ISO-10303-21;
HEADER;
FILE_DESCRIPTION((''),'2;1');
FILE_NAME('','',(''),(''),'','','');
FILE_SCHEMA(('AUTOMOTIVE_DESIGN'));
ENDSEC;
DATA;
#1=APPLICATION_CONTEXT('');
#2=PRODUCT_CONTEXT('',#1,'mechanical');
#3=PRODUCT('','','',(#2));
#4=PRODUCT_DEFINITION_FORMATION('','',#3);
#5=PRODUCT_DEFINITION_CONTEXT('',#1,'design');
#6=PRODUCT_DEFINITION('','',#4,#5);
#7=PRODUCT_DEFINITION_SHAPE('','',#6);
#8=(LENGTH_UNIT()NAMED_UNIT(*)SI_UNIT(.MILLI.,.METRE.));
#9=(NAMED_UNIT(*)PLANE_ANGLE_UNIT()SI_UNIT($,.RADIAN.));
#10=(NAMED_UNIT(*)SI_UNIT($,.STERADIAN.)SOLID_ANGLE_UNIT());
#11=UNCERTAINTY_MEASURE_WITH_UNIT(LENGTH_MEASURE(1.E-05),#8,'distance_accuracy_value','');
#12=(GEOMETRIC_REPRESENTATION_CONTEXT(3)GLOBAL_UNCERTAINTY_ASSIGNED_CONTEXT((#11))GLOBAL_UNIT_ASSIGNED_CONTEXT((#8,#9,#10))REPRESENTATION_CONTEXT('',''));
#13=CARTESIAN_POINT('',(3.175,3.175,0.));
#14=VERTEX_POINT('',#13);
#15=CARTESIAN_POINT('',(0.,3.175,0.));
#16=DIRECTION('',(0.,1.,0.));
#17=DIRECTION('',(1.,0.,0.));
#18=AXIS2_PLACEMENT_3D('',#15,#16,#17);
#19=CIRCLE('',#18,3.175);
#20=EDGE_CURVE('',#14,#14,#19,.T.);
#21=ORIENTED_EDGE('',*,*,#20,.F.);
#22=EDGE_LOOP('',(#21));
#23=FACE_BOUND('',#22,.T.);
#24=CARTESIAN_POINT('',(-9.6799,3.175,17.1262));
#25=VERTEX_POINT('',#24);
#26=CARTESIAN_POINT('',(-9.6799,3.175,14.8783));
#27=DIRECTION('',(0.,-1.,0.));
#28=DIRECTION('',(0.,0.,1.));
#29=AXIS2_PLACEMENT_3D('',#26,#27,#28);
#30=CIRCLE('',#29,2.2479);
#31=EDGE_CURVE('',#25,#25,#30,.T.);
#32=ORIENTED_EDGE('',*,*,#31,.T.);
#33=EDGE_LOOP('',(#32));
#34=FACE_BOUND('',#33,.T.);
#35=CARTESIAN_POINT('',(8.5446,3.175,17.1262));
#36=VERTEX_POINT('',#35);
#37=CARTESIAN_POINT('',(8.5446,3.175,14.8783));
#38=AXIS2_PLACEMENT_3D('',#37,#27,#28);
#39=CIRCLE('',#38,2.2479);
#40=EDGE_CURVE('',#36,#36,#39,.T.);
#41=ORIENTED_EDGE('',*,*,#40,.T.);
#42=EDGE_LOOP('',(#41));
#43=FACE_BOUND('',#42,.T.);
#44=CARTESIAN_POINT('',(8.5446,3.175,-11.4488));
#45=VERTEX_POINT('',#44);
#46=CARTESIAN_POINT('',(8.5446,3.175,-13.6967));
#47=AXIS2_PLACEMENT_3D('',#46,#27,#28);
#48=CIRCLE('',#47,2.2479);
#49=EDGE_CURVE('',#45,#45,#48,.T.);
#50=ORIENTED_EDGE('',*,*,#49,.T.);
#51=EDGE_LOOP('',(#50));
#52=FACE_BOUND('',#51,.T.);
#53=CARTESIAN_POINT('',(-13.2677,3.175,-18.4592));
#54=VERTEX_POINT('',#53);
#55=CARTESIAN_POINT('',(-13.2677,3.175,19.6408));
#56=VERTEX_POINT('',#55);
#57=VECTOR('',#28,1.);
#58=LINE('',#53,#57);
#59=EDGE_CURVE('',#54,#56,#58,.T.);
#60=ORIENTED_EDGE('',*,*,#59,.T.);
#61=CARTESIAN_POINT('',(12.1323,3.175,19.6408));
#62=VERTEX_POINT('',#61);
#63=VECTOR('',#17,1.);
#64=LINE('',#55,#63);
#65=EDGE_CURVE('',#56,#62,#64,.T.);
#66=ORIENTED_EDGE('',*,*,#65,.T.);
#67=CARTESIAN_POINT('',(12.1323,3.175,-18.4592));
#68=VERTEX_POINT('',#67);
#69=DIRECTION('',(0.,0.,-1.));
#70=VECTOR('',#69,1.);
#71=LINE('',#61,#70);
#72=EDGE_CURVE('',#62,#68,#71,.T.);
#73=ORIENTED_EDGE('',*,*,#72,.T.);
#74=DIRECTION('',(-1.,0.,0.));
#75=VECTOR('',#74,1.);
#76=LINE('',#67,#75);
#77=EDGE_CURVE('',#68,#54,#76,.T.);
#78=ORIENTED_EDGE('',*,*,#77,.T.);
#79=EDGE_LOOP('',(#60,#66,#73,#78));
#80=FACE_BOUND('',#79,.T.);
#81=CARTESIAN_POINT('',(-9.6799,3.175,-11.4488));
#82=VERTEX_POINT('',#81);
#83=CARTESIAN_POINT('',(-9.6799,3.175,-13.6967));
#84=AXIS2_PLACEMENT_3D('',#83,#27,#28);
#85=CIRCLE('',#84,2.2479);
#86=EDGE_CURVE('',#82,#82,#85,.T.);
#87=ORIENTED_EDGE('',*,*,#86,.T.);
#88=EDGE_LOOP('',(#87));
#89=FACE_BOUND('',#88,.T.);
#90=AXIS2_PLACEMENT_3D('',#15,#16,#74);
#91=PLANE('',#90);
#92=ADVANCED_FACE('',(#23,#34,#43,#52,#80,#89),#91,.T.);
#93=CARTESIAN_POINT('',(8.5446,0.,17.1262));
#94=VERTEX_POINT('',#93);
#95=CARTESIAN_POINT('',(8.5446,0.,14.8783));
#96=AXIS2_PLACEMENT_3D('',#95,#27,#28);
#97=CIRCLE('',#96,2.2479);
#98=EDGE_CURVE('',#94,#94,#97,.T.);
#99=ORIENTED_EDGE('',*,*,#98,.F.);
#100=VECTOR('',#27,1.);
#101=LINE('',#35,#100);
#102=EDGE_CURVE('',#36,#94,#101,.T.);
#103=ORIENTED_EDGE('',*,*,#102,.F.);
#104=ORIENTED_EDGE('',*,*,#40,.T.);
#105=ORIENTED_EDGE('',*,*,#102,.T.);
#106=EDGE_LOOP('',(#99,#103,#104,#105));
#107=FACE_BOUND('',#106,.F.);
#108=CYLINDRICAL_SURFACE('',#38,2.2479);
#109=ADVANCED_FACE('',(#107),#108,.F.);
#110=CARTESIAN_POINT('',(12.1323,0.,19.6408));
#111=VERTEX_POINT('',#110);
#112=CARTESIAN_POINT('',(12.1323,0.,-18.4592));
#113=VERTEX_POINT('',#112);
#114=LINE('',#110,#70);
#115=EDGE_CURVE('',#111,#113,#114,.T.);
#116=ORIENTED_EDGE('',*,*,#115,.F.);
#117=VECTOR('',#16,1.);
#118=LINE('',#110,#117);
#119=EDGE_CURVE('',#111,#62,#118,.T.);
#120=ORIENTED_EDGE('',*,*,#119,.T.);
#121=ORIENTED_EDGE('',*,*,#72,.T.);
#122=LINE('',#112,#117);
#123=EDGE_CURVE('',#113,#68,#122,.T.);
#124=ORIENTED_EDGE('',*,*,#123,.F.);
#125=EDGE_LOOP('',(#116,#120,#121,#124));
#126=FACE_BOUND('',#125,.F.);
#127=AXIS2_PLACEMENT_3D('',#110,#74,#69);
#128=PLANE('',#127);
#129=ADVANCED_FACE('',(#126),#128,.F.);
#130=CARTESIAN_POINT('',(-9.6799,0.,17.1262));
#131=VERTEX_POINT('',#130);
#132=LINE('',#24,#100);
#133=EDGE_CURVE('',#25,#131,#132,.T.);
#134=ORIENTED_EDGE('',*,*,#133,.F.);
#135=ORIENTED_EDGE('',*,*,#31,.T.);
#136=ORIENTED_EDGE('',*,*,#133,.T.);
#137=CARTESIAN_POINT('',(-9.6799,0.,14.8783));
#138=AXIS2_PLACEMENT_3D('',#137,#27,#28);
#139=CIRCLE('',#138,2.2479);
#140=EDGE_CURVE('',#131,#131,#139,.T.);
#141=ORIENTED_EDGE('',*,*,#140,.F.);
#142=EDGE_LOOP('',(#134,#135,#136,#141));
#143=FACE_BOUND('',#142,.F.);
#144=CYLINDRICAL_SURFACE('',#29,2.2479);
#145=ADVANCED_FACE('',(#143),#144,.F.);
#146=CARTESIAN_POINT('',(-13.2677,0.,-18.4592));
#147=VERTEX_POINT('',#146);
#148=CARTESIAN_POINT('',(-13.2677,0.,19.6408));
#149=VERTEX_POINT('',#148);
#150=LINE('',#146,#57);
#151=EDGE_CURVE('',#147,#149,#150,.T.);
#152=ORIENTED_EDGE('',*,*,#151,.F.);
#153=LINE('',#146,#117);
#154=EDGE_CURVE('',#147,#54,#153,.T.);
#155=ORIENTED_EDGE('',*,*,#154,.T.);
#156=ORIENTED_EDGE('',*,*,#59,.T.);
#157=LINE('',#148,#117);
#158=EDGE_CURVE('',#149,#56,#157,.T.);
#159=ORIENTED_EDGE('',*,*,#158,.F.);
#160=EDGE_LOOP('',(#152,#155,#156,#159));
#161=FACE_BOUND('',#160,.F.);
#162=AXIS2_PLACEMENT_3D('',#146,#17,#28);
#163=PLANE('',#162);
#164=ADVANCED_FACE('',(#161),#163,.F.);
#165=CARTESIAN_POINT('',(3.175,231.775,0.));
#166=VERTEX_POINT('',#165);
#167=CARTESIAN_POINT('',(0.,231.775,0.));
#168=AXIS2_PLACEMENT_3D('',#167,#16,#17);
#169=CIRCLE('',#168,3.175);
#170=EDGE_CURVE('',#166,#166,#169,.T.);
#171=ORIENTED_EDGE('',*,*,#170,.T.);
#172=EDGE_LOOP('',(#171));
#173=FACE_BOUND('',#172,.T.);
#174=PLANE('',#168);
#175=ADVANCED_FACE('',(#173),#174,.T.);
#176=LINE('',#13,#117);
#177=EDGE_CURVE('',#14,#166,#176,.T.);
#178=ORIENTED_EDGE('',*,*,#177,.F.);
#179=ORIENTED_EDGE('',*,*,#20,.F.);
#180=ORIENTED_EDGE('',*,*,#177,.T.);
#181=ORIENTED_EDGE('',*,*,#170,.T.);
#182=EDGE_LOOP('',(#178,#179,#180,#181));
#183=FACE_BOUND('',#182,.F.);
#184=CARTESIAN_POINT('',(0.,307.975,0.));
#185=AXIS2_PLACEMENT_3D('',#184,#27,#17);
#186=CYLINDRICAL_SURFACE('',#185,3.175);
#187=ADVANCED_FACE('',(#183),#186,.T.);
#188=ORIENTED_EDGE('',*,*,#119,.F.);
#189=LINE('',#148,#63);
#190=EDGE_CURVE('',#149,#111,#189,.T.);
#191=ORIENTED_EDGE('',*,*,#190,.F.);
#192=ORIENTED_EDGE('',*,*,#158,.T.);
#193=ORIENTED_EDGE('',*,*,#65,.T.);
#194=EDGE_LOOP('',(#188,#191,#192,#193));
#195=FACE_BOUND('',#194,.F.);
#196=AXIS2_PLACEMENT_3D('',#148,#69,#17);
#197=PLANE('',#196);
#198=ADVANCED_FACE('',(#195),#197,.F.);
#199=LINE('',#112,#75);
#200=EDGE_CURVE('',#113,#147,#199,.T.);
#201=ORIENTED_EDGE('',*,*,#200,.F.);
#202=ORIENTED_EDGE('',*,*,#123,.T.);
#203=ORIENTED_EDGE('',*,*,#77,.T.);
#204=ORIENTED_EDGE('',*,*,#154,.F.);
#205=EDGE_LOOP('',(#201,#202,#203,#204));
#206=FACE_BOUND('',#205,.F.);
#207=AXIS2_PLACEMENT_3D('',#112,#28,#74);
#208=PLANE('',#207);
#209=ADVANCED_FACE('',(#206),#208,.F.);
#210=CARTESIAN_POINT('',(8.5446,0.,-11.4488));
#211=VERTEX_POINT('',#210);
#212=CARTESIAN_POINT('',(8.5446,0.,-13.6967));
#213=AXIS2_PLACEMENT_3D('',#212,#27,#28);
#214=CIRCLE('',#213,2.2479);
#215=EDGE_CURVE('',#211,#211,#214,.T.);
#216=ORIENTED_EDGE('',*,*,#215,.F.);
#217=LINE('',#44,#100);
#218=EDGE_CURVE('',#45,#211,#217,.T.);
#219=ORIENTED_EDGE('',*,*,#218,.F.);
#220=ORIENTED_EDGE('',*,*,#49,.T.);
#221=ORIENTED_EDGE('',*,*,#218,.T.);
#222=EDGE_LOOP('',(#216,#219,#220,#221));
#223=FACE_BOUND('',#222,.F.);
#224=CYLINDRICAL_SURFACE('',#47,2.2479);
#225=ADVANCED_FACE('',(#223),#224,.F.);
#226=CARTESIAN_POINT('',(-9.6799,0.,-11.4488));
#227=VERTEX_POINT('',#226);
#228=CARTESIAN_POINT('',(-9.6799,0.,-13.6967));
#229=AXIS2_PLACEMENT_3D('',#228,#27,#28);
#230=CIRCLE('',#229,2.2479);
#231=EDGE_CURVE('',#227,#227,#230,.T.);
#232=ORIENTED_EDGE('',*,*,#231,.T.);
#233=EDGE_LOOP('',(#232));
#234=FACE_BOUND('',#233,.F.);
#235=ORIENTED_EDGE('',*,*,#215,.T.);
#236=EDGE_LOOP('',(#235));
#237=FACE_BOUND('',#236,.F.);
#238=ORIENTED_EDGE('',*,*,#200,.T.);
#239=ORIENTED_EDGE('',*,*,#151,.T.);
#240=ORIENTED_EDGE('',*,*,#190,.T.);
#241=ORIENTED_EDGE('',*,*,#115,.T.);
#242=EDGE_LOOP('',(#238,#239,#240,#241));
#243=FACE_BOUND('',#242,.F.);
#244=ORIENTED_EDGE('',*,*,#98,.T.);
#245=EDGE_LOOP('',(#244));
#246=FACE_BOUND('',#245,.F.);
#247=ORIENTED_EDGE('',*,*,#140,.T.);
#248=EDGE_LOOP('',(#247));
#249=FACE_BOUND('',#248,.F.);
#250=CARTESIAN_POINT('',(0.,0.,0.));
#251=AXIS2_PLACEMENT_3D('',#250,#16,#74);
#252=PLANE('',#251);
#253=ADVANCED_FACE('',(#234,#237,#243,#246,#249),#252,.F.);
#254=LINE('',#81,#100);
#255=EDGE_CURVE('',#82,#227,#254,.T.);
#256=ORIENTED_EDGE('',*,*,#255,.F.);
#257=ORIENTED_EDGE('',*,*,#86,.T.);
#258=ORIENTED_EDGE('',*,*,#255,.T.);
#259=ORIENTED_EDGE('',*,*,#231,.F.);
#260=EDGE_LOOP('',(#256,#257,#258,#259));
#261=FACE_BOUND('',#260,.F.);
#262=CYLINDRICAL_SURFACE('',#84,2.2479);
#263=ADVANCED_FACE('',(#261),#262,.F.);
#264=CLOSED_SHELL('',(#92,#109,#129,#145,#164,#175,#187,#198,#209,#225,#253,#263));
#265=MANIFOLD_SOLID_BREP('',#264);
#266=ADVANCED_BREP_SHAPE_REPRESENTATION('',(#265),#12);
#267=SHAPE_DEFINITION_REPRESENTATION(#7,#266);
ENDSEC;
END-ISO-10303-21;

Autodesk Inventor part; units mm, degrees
ref_plane "YZ Plane" through (0, 0, 0) normal (1, 0, 0) x (0, 1, 0)
ref_plane "XZ Plane" through (0, 0, 0) normal (0, 1, 0) x (-1, 0, 0)
ref_plane "XY Plane" through (0, 0, 0) normal (0, 0, 1) x (1, 0, 0)
sketch "Sketch1" plane through (0, 0, 0) normal (0, 1, 0) x (-1, 0, 0)
  line L0 (13.2677, 19.6408) -> (-12.1323, 19.6408)
  line L1 (-12.1323, 19.6408) -> (-12.1323, -18.4592)
  line L2 (-12.1323, -18.4592) -> (13.2677, -18.4592)
  line L3 (13.2677, -18.4592) -> (13.2677, 19.6408)
  point P0 (0, 0)
  dimension "d0" = 25.4
  dimension "d1" = 38.1
extrude "Extrusion1" add sketch "Sketch1" along normal blind 3.175
hole "Hole1" at (-9.6799, 3.175, 14.8783) direction (0, -1, 0) diameter 4.4958 depth 3.175 clearance for "Flat Head Machine Screw (82)" size "#8" standard "Ansi Unified Screw Threads"
hole "Hole2" at (8.5446, 3.175, 14.8783) direction (0, -1, 0) diameter 4.4958 depth 3.175 clearance for "Flat Head Machine Screw (82)" size "#8" standard "Ansi Unified Screw Threads"
hole "Hole3" at (-9.6799, 3.175, -13.6967) direction (0, -1, 0) diameter 4.4958 depth 3.175 clearance for "Flat Head Machine Screw (82)" size "#8" standard "Ansi Unified Screw Threads"
hole "Hole4" at (8.5446, 3.175, -13.6967) direction (0, -1, 0) diameter 4.4958 depth 3.175 clearance for "Flat Head Machine Screw (82)" size "#8" standard "Ansi Unified Screw Threads"
sketch "Sketch2" plane through (0, 3.175, 0) normal (0, 1, 0) x (1, 0, 0)
  circle A0 centre (0, 0) radius 3.175
  dimension "d58" = 6.35
extrude "Extrusion2" add sketch "Sketch2" along normal blind 304.8
sketch "Sketch3" plane through (0, 0, 0) normal (1, 0, 0) x (0, 1, 0)
  point P0 (0, 0)
sketch "Sketch4" plane through (0, 307.975, 0) normal (0, 1, 0) x (1, 0, 0)
  circle A0 centre (0, 0) radius 3.175 projected
extrude "Extrusion3" add sketch "Sketch4" along normal blind 63.5
sketch "Sketch5" plane through (0, 0, 0) normal (1, 0, 0) x (0, 1, 0)
  point P0 (0, 0)
sketch "Sketch6" plane through (0, 371.475, 0) normal (0, 1, 0) x (1, 0, 0)
  circle A0 centre (0, 0) radius 3.175 projected
extrude "Extrusion4" cut sketch "Sketch6" against normal blind 139.7
properties part number "rotatable rod table"
